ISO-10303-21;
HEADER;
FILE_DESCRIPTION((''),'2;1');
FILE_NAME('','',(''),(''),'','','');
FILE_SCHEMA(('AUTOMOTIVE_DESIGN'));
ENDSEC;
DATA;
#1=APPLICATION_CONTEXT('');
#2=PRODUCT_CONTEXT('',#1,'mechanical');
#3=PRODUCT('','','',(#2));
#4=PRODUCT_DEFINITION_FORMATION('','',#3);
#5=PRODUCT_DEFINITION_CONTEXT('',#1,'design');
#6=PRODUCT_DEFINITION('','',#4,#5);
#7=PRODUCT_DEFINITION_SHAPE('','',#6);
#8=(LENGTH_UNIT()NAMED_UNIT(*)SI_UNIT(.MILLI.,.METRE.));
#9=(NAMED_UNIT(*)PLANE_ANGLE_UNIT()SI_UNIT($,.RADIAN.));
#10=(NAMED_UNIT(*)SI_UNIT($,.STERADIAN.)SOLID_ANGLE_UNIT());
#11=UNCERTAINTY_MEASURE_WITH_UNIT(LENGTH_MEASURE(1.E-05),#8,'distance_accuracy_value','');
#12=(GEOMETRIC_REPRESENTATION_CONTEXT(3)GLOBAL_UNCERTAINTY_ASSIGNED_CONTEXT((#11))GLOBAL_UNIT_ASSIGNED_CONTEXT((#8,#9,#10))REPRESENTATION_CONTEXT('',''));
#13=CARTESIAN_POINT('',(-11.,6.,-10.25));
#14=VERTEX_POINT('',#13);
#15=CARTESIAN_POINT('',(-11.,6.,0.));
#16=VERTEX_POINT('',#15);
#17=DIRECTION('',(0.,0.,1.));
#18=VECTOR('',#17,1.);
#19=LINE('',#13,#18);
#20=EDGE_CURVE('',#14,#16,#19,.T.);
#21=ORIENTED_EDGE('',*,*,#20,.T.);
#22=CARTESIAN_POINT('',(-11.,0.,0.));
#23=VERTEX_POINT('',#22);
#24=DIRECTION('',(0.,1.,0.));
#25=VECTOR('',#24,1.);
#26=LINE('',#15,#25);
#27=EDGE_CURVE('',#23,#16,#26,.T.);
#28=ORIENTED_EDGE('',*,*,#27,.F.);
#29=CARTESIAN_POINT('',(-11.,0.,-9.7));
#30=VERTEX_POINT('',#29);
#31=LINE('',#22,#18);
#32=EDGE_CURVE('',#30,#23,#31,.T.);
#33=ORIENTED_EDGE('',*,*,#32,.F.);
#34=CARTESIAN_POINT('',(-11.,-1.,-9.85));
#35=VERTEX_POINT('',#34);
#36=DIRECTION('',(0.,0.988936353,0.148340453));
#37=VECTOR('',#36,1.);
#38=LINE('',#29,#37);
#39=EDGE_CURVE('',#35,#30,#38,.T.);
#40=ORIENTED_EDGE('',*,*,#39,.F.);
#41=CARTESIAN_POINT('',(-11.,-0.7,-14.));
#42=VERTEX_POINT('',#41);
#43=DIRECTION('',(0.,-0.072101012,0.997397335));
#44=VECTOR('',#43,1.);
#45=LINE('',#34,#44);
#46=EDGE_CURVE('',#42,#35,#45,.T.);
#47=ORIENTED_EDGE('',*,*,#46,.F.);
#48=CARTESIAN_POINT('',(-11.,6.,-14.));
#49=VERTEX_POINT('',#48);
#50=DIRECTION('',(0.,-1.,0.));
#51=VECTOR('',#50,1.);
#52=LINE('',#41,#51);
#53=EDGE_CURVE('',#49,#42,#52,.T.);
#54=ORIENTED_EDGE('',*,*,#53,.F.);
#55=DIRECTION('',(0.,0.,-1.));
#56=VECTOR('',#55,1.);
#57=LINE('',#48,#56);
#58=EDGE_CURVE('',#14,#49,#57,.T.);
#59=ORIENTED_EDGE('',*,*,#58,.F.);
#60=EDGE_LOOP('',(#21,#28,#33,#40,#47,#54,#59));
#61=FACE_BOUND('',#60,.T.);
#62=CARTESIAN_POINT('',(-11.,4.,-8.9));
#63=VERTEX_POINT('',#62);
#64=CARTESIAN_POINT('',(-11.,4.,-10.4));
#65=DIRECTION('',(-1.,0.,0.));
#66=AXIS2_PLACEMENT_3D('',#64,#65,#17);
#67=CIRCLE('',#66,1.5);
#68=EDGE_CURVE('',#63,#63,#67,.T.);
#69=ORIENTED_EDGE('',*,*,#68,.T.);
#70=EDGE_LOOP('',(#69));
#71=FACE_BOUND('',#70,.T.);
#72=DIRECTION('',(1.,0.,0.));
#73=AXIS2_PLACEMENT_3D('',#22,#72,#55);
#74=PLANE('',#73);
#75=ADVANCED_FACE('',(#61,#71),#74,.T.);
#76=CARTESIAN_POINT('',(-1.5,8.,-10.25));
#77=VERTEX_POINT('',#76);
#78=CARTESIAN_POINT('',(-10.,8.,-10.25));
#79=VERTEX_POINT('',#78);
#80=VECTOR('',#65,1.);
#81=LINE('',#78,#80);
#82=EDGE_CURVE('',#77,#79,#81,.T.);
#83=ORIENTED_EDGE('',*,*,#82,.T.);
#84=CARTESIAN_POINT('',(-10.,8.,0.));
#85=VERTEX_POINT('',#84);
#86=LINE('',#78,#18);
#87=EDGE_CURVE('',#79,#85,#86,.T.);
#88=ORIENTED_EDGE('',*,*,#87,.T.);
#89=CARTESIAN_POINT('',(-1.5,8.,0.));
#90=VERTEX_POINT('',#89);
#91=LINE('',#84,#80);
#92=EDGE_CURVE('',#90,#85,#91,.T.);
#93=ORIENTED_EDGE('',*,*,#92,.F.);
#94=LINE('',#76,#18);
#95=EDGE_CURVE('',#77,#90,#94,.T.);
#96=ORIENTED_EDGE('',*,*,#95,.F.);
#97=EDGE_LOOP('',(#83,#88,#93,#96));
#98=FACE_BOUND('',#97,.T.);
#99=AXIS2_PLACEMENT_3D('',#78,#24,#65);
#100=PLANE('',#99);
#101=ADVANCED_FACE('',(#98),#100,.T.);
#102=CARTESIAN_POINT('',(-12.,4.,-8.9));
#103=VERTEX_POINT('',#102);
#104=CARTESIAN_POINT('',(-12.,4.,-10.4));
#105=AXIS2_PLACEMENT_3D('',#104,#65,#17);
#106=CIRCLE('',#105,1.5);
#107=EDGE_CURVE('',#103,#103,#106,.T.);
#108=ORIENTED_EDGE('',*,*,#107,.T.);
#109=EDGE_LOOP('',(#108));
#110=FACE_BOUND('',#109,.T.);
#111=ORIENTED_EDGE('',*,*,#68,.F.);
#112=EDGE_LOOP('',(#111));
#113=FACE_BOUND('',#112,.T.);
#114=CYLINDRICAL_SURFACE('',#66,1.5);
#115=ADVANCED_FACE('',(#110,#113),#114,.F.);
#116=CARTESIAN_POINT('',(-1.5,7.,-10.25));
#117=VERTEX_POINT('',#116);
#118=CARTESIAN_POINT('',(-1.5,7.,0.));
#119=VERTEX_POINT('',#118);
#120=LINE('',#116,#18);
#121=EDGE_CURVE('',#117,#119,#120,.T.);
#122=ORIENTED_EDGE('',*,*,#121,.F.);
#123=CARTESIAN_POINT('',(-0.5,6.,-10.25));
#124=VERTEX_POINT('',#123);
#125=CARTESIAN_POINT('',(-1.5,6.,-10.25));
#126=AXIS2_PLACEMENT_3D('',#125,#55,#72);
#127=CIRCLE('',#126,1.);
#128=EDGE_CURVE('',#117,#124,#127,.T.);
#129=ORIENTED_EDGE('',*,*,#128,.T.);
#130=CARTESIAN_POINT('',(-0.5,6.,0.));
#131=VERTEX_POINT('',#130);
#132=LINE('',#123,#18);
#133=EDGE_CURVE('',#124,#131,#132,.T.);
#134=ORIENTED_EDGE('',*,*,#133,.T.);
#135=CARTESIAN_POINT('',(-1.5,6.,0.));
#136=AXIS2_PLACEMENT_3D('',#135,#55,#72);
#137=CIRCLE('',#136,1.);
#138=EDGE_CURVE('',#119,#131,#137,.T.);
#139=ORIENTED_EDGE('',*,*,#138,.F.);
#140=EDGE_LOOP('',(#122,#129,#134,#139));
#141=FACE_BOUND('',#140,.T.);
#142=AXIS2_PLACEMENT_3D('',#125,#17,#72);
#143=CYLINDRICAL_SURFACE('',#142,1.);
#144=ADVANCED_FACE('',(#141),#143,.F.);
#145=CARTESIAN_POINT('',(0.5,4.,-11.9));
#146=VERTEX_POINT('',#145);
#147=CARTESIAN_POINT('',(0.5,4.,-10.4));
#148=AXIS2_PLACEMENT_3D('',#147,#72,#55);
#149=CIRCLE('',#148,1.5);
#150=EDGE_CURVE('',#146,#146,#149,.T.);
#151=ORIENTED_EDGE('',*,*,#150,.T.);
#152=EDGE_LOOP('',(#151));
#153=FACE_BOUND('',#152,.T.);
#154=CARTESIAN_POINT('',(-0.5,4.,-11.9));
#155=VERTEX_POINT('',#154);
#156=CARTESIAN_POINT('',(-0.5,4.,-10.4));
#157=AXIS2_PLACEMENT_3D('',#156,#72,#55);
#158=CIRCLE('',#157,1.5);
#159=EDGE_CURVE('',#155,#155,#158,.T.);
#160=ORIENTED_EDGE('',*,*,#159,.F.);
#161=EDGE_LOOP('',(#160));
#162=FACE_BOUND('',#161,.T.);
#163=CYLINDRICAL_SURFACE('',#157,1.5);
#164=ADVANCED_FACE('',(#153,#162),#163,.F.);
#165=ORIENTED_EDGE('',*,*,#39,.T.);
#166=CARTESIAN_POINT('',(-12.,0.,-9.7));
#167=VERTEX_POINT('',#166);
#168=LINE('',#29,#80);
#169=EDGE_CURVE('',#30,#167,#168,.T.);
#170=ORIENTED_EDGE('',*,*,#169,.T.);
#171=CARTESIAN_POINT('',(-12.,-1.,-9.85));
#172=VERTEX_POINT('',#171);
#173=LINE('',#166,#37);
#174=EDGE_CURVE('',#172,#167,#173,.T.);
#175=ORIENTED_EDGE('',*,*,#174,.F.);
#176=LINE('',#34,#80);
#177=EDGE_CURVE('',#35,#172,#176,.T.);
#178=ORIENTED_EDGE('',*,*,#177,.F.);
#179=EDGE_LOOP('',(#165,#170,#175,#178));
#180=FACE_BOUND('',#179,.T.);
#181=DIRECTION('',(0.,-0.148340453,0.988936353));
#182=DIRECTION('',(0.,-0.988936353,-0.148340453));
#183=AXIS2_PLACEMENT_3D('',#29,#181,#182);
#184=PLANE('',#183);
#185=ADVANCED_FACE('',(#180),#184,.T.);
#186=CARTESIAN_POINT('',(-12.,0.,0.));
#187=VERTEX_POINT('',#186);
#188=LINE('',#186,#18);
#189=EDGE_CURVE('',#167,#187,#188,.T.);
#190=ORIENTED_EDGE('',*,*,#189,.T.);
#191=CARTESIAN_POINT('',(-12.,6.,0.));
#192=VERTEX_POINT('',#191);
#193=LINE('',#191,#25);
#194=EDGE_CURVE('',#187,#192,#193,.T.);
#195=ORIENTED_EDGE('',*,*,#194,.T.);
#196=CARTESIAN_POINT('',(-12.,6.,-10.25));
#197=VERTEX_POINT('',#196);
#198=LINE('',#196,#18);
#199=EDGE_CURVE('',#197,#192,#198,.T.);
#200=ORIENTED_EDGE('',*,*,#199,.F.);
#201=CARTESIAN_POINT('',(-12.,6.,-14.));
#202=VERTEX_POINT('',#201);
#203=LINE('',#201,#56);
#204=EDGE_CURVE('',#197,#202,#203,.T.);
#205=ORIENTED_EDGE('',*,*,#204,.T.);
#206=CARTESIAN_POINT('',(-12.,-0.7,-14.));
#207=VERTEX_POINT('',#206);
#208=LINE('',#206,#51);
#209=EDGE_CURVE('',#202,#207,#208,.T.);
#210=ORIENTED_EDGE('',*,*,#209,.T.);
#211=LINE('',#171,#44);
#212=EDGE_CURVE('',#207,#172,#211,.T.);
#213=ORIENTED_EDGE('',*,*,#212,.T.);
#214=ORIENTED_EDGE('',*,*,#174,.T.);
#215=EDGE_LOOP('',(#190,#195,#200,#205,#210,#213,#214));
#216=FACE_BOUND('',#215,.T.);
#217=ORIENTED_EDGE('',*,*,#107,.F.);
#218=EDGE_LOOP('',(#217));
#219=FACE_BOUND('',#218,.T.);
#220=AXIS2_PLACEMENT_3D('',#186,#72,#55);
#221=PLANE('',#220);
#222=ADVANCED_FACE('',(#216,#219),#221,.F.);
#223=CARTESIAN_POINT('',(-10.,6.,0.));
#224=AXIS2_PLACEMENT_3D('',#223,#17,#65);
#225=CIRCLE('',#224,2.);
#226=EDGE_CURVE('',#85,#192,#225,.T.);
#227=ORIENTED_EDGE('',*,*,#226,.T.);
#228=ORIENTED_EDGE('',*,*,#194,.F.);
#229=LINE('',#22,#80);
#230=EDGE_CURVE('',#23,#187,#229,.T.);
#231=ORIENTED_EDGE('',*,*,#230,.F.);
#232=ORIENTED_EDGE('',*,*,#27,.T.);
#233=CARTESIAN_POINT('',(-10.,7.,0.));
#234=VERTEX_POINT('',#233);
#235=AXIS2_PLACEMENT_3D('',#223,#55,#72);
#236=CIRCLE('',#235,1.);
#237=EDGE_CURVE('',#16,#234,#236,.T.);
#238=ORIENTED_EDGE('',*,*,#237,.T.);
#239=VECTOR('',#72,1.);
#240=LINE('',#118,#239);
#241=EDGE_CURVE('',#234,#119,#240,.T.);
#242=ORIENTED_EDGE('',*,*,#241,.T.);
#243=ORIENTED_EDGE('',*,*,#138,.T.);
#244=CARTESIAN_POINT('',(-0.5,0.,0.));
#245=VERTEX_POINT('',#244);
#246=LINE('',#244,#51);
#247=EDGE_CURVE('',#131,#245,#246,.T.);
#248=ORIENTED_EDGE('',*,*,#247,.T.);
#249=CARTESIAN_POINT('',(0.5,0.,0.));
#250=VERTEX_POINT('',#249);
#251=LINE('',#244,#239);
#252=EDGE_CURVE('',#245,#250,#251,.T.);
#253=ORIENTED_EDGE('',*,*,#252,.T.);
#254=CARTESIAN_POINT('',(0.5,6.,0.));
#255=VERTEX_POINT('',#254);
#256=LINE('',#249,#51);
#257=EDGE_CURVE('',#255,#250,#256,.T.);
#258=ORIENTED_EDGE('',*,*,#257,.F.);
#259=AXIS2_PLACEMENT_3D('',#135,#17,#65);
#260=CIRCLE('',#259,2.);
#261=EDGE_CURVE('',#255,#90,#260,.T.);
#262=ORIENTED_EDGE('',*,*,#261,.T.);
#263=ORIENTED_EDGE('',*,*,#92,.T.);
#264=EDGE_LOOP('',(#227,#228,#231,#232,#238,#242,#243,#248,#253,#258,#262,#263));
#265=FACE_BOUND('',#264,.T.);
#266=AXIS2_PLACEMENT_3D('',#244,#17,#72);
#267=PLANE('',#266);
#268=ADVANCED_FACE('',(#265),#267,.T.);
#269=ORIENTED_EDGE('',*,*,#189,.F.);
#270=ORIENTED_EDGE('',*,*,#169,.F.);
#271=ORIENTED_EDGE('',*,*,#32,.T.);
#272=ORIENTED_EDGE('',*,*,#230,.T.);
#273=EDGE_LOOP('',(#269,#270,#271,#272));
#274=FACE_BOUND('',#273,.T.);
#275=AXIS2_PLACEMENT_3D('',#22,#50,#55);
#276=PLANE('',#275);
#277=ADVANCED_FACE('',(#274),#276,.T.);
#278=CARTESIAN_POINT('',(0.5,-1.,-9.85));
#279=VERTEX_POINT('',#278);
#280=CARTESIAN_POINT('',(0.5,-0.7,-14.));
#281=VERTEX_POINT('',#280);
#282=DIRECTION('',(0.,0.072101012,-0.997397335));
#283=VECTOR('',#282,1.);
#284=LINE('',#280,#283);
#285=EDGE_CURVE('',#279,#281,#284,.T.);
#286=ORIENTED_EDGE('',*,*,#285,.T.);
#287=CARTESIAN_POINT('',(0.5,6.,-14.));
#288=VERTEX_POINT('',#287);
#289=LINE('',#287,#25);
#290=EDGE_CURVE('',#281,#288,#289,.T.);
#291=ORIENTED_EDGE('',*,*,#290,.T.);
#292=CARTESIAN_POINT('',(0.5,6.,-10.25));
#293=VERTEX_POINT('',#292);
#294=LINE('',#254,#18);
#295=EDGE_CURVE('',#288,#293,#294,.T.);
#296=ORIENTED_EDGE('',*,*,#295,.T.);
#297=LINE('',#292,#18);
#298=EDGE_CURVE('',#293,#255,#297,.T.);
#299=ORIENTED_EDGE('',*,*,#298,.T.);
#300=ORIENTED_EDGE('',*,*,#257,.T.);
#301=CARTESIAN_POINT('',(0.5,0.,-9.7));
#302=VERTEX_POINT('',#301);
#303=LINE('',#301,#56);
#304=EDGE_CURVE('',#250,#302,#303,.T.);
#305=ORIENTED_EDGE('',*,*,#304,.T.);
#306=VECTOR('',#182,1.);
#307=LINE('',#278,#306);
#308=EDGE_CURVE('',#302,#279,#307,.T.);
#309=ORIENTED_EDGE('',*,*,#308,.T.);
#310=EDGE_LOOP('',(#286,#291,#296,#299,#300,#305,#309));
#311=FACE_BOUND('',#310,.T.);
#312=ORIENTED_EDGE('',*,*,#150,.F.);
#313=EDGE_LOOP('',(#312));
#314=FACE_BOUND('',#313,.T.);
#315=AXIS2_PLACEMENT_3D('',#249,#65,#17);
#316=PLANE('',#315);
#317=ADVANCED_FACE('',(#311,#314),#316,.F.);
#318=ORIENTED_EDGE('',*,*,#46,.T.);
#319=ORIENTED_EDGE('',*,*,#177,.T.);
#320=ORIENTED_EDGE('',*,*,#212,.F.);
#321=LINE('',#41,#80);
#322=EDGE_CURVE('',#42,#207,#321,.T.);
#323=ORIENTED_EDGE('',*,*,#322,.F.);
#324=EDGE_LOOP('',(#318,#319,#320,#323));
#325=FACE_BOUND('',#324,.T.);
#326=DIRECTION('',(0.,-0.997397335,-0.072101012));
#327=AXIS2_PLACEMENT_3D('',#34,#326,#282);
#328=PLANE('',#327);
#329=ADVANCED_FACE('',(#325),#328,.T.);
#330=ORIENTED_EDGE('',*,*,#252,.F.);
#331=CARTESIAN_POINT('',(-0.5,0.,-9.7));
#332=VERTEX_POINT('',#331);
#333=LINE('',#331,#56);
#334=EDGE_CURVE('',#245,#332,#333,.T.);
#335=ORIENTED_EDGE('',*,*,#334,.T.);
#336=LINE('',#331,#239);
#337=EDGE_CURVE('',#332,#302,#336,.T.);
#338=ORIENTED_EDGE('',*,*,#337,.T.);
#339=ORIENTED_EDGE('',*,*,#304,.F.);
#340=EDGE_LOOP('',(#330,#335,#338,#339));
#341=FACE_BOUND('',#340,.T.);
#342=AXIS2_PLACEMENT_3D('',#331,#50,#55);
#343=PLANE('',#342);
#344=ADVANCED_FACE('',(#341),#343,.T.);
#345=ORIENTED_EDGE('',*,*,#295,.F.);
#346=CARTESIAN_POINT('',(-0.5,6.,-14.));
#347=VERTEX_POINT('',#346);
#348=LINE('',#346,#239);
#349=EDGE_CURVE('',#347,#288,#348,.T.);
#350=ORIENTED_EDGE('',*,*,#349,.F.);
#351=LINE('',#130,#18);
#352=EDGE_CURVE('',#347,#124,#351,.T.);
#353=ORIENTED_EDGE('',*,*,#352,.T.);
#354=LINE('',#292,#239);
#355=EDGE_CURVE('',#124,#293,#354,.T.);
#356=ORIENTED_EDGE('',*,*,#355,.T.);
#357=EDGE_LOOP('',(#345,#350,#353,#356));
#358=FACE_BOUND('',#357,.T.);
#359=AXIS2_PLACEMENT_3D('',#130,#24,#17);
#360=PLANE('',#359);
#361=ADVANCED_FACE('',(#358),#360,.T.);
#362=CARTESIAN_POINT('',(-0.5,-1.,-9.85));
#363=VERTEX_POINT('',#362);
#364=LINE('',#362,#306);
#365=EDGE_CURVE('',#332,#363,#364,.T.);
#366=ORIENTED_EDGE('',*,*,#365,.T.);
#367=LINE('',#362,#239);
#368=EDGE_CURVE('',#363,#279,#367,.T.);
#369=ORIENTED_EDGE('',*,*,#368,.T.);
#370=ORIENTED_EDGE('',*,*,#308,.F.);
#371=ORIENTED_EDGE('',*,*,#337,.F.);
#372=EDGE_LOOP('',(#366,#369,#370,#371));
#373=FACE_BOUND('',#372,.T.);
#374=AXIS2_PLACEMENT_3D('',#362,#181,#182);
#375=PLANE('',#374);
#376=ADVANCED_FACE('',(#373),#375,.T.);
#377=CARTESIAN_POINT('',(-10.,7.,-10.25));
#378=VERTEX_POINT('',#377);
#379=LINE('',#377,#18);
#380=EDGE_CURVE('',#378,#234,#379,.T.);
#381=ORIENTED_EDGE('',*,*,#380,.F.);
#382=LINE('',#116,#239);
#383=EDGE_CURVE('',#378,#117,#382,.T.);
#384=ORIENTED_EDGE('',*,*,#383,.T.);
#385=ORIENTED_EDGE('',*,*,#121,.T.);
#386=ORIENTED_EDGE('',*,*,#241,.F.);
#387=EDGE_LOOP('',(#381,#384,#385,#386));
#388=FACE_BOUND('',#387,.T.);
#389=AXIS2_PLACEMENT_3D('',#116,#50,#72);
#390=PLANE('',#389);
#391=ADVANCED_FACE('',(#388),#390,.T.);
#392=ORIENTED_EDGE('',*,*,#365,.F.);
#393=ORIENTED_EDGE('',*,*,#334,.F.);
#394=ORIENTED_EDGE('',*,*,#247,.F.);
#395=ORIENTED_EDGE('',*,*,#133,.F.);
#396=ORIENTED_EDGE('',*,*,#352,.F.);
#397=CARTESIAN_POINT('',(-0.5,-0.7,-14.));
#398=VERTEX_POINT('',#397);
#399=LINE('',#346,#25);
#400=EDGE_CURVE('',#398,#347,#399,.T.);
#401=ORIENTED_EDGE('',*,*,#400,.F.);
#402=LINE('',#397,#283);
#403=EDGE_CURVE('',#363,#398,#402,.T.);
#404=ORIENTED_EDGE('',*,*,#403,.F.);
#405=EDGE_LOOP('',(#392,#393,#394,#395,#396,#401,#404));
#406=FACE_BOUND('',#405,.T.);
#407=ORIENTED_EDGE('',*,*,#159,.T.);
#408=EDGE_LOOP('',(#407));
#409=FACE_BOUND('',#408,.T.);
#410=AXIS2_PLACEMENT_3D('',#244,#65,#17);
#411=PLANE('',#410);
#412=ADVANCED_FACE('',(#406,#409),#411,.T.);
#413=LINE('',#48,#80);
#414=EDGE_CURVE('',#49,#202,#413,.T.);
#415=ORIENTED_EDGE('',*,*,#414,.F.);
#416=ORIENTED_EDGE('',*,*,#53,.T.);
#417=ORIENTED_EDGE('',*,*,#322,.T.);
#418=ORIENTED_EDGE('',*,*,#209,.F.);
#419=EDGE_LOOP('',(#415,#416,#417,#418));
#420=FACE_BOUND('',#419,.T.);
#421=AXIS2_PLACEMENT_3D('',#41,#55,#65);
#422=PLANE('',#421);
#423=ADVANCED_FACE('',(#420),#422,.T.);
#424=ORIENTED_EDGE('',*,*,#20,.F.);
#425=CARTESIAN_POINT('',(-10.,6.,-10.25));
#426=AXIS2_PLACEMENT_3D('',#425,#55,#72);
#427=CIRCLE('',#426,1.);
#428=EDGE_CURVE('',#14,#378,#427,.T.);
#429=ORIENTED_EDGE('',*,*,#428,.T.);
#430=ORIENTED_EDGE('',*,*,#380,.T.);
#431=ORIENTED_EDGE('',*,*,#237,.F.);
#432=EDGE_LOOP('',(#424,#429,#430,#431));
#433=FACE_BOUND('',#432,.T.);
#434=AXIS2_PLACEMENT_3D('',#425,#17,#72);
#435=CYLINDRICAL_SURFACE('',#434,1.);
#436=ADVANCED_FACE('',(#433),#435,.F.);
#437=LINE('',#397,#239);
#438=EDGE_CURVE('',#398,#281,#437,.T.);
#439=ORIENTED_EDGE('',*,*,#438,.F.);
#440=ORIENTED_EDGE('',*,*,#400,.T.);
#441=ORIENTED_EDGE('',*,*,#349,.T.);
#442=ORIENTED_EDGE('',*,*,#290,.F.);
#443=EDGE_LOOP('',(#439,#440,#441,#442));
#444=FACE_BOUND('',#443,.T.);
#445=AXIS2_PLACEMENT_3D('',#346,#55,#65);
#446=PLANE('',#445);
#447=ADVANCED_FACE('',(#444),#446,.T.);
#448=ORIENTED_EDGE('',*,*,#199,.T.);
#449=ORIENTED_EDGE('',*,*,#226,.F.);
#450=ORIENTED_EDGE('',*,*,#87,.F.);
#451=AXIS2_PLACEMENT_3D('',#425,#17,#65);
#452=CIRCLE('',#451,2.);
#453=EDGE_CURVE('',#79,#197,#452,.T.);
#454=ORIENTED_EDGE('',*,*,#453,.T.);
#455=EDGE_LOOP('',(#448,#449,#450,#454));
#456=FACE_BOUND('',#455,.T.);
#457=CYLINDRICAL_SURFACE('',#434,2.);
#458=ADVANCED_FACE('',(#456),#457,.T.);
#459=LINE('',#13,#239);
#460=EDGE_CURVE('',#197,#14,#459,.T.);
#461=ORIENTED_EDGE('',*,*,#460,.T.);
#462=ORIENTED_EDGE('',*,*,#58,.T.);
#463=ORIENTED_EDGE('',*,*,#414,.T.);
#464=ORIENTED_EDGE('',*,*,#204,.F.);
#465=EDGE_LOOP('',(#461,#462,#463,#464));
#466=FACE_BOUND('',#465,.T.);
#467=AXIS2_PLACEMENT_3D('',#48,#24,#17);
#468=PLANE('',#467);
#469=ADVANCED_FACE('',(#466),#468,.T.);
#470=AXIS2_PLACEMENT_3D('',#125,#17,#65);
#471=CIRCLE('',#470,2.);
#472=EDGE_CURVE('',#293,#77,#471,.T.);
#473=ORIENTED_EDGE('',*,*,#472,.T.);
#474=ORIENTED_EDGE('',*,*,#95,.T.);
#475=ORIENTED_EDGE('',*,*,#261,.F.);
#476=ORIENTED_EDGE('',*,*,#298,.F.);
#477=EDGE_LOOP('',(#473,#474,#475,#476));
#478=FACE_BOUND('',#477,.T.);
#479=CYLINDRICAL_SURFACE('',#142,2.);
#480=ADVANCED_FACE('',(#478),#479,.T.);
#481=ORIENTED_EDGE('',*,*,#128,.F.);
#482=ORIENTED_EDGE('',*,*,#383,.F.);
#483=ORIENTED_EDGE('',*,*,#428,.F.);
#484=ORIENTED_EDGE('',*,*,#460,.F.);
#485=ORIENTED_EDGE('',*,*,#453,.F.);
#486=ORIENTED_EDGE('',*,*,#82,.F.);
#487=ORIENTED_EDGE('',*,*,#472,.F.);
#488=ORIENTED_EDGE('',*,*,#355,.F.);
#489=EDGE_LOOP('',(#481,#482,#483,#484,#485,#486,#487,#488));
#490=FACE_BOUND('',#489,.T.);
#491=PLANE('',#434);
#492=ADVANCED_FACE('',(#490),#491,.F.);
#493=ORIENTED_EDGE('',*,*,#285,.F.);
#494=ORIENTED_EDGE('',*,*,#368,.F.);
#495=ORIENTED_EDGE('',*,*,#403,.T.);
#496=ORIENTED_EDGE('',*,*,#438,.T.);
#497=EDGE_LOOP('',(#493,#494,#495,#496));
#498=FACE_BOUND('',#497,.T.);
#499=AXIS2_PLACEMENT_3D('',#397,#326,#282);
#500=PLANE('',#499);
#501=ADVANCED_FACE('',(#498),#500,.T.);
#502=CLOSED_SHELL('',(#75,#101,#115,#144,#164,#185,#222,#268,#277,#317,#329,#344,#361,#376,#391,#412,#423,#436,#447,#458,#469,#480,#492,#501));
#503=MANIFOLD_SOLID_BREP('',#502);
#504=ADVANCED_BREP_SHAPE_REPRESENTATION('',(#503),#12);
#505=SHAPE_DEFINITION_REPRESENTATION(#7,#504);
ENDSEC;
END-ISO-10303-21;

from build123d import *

# Parameters (mm, degrees)
SKETCH1_R           = 1.5
BOSS_EXTRUDE1_DEPTH = 0.5
SKETCH2_R           = 1.5
BOSS_EXTRUDE2_DEPTH = 0.5
BOSS_EXTRUDE6_DEPTH = 10.25


with BuildPart() as part:
    # Sketch1 → Boss-Extrude1 (new, symmetric)
    with BuildSketch(Plane(origin=(0, 0, 0), x_dir=(0, 0, -1), z_dir=(1, 0, 0))):
        Polygon((0, 0), (0, 6), (14, 6), (14, -0.7), (9.85, -1), (9.7, 0), align=None)
        with Locations((10.4, 4)):
            Circle(SKETCH1_R, mode=Mode.SUBTRACT)
    extrude(amount=BOSS_EXTRUDE1_DEPTH, both=True)



with BuildPart() as body_2:
    # Sketch2 → Boss-Extrude2 (new, symmetric)
    with BuildSketch(Plane.ZY.offset(11.5)):
        Polygon((-9.7, 0), (-9.85, -1), (-14, -0.7), (-14, 6), (0, 6), (0, 0), align=None)
        with Locations(Location((-10.4, 4, 0), (0, 0, 180))):
            Circle(SKETCH2_R, mode=Mode.SUBTRACT)
    extrude(amount=BOSS_EXTRUDE2_DEPTH, both=True)


with BuildPart() as part_1:
    add(part.part)

    add(body_2.part)  # Boss-Extrude6 merges body 2
    # Sketch9 → Boss-Extrude6 (add)
    with BuildSketch(Plane.XY):
        with BuildLine():
            Line((-11, 6), (-12, 6))
            ThreePointArc((-12, 6), (-11.414213562, 7.414213562), (-10, 8))
            Line((-10, 8), (-1.5, 8))
            ThreePointArc((-1.5, 8), (-0.085786438, 7.414213562), (0.5, 6))
            Line((0.5, 6), (-0.5, 6))
            ThreePointArc((-0.5, 6), (-0.792893219, 6.707106781), (-1.5, 7))
            Line((-1.5, 7), (-10, 7))
            ThreePointArc((-10, 7), (-10.707106781, 6.707106781), (-11, 6))
        make_face()
    extrude(amount=-BOSS_EXTRUDE6_DEPTH)


solid = part_1.part
